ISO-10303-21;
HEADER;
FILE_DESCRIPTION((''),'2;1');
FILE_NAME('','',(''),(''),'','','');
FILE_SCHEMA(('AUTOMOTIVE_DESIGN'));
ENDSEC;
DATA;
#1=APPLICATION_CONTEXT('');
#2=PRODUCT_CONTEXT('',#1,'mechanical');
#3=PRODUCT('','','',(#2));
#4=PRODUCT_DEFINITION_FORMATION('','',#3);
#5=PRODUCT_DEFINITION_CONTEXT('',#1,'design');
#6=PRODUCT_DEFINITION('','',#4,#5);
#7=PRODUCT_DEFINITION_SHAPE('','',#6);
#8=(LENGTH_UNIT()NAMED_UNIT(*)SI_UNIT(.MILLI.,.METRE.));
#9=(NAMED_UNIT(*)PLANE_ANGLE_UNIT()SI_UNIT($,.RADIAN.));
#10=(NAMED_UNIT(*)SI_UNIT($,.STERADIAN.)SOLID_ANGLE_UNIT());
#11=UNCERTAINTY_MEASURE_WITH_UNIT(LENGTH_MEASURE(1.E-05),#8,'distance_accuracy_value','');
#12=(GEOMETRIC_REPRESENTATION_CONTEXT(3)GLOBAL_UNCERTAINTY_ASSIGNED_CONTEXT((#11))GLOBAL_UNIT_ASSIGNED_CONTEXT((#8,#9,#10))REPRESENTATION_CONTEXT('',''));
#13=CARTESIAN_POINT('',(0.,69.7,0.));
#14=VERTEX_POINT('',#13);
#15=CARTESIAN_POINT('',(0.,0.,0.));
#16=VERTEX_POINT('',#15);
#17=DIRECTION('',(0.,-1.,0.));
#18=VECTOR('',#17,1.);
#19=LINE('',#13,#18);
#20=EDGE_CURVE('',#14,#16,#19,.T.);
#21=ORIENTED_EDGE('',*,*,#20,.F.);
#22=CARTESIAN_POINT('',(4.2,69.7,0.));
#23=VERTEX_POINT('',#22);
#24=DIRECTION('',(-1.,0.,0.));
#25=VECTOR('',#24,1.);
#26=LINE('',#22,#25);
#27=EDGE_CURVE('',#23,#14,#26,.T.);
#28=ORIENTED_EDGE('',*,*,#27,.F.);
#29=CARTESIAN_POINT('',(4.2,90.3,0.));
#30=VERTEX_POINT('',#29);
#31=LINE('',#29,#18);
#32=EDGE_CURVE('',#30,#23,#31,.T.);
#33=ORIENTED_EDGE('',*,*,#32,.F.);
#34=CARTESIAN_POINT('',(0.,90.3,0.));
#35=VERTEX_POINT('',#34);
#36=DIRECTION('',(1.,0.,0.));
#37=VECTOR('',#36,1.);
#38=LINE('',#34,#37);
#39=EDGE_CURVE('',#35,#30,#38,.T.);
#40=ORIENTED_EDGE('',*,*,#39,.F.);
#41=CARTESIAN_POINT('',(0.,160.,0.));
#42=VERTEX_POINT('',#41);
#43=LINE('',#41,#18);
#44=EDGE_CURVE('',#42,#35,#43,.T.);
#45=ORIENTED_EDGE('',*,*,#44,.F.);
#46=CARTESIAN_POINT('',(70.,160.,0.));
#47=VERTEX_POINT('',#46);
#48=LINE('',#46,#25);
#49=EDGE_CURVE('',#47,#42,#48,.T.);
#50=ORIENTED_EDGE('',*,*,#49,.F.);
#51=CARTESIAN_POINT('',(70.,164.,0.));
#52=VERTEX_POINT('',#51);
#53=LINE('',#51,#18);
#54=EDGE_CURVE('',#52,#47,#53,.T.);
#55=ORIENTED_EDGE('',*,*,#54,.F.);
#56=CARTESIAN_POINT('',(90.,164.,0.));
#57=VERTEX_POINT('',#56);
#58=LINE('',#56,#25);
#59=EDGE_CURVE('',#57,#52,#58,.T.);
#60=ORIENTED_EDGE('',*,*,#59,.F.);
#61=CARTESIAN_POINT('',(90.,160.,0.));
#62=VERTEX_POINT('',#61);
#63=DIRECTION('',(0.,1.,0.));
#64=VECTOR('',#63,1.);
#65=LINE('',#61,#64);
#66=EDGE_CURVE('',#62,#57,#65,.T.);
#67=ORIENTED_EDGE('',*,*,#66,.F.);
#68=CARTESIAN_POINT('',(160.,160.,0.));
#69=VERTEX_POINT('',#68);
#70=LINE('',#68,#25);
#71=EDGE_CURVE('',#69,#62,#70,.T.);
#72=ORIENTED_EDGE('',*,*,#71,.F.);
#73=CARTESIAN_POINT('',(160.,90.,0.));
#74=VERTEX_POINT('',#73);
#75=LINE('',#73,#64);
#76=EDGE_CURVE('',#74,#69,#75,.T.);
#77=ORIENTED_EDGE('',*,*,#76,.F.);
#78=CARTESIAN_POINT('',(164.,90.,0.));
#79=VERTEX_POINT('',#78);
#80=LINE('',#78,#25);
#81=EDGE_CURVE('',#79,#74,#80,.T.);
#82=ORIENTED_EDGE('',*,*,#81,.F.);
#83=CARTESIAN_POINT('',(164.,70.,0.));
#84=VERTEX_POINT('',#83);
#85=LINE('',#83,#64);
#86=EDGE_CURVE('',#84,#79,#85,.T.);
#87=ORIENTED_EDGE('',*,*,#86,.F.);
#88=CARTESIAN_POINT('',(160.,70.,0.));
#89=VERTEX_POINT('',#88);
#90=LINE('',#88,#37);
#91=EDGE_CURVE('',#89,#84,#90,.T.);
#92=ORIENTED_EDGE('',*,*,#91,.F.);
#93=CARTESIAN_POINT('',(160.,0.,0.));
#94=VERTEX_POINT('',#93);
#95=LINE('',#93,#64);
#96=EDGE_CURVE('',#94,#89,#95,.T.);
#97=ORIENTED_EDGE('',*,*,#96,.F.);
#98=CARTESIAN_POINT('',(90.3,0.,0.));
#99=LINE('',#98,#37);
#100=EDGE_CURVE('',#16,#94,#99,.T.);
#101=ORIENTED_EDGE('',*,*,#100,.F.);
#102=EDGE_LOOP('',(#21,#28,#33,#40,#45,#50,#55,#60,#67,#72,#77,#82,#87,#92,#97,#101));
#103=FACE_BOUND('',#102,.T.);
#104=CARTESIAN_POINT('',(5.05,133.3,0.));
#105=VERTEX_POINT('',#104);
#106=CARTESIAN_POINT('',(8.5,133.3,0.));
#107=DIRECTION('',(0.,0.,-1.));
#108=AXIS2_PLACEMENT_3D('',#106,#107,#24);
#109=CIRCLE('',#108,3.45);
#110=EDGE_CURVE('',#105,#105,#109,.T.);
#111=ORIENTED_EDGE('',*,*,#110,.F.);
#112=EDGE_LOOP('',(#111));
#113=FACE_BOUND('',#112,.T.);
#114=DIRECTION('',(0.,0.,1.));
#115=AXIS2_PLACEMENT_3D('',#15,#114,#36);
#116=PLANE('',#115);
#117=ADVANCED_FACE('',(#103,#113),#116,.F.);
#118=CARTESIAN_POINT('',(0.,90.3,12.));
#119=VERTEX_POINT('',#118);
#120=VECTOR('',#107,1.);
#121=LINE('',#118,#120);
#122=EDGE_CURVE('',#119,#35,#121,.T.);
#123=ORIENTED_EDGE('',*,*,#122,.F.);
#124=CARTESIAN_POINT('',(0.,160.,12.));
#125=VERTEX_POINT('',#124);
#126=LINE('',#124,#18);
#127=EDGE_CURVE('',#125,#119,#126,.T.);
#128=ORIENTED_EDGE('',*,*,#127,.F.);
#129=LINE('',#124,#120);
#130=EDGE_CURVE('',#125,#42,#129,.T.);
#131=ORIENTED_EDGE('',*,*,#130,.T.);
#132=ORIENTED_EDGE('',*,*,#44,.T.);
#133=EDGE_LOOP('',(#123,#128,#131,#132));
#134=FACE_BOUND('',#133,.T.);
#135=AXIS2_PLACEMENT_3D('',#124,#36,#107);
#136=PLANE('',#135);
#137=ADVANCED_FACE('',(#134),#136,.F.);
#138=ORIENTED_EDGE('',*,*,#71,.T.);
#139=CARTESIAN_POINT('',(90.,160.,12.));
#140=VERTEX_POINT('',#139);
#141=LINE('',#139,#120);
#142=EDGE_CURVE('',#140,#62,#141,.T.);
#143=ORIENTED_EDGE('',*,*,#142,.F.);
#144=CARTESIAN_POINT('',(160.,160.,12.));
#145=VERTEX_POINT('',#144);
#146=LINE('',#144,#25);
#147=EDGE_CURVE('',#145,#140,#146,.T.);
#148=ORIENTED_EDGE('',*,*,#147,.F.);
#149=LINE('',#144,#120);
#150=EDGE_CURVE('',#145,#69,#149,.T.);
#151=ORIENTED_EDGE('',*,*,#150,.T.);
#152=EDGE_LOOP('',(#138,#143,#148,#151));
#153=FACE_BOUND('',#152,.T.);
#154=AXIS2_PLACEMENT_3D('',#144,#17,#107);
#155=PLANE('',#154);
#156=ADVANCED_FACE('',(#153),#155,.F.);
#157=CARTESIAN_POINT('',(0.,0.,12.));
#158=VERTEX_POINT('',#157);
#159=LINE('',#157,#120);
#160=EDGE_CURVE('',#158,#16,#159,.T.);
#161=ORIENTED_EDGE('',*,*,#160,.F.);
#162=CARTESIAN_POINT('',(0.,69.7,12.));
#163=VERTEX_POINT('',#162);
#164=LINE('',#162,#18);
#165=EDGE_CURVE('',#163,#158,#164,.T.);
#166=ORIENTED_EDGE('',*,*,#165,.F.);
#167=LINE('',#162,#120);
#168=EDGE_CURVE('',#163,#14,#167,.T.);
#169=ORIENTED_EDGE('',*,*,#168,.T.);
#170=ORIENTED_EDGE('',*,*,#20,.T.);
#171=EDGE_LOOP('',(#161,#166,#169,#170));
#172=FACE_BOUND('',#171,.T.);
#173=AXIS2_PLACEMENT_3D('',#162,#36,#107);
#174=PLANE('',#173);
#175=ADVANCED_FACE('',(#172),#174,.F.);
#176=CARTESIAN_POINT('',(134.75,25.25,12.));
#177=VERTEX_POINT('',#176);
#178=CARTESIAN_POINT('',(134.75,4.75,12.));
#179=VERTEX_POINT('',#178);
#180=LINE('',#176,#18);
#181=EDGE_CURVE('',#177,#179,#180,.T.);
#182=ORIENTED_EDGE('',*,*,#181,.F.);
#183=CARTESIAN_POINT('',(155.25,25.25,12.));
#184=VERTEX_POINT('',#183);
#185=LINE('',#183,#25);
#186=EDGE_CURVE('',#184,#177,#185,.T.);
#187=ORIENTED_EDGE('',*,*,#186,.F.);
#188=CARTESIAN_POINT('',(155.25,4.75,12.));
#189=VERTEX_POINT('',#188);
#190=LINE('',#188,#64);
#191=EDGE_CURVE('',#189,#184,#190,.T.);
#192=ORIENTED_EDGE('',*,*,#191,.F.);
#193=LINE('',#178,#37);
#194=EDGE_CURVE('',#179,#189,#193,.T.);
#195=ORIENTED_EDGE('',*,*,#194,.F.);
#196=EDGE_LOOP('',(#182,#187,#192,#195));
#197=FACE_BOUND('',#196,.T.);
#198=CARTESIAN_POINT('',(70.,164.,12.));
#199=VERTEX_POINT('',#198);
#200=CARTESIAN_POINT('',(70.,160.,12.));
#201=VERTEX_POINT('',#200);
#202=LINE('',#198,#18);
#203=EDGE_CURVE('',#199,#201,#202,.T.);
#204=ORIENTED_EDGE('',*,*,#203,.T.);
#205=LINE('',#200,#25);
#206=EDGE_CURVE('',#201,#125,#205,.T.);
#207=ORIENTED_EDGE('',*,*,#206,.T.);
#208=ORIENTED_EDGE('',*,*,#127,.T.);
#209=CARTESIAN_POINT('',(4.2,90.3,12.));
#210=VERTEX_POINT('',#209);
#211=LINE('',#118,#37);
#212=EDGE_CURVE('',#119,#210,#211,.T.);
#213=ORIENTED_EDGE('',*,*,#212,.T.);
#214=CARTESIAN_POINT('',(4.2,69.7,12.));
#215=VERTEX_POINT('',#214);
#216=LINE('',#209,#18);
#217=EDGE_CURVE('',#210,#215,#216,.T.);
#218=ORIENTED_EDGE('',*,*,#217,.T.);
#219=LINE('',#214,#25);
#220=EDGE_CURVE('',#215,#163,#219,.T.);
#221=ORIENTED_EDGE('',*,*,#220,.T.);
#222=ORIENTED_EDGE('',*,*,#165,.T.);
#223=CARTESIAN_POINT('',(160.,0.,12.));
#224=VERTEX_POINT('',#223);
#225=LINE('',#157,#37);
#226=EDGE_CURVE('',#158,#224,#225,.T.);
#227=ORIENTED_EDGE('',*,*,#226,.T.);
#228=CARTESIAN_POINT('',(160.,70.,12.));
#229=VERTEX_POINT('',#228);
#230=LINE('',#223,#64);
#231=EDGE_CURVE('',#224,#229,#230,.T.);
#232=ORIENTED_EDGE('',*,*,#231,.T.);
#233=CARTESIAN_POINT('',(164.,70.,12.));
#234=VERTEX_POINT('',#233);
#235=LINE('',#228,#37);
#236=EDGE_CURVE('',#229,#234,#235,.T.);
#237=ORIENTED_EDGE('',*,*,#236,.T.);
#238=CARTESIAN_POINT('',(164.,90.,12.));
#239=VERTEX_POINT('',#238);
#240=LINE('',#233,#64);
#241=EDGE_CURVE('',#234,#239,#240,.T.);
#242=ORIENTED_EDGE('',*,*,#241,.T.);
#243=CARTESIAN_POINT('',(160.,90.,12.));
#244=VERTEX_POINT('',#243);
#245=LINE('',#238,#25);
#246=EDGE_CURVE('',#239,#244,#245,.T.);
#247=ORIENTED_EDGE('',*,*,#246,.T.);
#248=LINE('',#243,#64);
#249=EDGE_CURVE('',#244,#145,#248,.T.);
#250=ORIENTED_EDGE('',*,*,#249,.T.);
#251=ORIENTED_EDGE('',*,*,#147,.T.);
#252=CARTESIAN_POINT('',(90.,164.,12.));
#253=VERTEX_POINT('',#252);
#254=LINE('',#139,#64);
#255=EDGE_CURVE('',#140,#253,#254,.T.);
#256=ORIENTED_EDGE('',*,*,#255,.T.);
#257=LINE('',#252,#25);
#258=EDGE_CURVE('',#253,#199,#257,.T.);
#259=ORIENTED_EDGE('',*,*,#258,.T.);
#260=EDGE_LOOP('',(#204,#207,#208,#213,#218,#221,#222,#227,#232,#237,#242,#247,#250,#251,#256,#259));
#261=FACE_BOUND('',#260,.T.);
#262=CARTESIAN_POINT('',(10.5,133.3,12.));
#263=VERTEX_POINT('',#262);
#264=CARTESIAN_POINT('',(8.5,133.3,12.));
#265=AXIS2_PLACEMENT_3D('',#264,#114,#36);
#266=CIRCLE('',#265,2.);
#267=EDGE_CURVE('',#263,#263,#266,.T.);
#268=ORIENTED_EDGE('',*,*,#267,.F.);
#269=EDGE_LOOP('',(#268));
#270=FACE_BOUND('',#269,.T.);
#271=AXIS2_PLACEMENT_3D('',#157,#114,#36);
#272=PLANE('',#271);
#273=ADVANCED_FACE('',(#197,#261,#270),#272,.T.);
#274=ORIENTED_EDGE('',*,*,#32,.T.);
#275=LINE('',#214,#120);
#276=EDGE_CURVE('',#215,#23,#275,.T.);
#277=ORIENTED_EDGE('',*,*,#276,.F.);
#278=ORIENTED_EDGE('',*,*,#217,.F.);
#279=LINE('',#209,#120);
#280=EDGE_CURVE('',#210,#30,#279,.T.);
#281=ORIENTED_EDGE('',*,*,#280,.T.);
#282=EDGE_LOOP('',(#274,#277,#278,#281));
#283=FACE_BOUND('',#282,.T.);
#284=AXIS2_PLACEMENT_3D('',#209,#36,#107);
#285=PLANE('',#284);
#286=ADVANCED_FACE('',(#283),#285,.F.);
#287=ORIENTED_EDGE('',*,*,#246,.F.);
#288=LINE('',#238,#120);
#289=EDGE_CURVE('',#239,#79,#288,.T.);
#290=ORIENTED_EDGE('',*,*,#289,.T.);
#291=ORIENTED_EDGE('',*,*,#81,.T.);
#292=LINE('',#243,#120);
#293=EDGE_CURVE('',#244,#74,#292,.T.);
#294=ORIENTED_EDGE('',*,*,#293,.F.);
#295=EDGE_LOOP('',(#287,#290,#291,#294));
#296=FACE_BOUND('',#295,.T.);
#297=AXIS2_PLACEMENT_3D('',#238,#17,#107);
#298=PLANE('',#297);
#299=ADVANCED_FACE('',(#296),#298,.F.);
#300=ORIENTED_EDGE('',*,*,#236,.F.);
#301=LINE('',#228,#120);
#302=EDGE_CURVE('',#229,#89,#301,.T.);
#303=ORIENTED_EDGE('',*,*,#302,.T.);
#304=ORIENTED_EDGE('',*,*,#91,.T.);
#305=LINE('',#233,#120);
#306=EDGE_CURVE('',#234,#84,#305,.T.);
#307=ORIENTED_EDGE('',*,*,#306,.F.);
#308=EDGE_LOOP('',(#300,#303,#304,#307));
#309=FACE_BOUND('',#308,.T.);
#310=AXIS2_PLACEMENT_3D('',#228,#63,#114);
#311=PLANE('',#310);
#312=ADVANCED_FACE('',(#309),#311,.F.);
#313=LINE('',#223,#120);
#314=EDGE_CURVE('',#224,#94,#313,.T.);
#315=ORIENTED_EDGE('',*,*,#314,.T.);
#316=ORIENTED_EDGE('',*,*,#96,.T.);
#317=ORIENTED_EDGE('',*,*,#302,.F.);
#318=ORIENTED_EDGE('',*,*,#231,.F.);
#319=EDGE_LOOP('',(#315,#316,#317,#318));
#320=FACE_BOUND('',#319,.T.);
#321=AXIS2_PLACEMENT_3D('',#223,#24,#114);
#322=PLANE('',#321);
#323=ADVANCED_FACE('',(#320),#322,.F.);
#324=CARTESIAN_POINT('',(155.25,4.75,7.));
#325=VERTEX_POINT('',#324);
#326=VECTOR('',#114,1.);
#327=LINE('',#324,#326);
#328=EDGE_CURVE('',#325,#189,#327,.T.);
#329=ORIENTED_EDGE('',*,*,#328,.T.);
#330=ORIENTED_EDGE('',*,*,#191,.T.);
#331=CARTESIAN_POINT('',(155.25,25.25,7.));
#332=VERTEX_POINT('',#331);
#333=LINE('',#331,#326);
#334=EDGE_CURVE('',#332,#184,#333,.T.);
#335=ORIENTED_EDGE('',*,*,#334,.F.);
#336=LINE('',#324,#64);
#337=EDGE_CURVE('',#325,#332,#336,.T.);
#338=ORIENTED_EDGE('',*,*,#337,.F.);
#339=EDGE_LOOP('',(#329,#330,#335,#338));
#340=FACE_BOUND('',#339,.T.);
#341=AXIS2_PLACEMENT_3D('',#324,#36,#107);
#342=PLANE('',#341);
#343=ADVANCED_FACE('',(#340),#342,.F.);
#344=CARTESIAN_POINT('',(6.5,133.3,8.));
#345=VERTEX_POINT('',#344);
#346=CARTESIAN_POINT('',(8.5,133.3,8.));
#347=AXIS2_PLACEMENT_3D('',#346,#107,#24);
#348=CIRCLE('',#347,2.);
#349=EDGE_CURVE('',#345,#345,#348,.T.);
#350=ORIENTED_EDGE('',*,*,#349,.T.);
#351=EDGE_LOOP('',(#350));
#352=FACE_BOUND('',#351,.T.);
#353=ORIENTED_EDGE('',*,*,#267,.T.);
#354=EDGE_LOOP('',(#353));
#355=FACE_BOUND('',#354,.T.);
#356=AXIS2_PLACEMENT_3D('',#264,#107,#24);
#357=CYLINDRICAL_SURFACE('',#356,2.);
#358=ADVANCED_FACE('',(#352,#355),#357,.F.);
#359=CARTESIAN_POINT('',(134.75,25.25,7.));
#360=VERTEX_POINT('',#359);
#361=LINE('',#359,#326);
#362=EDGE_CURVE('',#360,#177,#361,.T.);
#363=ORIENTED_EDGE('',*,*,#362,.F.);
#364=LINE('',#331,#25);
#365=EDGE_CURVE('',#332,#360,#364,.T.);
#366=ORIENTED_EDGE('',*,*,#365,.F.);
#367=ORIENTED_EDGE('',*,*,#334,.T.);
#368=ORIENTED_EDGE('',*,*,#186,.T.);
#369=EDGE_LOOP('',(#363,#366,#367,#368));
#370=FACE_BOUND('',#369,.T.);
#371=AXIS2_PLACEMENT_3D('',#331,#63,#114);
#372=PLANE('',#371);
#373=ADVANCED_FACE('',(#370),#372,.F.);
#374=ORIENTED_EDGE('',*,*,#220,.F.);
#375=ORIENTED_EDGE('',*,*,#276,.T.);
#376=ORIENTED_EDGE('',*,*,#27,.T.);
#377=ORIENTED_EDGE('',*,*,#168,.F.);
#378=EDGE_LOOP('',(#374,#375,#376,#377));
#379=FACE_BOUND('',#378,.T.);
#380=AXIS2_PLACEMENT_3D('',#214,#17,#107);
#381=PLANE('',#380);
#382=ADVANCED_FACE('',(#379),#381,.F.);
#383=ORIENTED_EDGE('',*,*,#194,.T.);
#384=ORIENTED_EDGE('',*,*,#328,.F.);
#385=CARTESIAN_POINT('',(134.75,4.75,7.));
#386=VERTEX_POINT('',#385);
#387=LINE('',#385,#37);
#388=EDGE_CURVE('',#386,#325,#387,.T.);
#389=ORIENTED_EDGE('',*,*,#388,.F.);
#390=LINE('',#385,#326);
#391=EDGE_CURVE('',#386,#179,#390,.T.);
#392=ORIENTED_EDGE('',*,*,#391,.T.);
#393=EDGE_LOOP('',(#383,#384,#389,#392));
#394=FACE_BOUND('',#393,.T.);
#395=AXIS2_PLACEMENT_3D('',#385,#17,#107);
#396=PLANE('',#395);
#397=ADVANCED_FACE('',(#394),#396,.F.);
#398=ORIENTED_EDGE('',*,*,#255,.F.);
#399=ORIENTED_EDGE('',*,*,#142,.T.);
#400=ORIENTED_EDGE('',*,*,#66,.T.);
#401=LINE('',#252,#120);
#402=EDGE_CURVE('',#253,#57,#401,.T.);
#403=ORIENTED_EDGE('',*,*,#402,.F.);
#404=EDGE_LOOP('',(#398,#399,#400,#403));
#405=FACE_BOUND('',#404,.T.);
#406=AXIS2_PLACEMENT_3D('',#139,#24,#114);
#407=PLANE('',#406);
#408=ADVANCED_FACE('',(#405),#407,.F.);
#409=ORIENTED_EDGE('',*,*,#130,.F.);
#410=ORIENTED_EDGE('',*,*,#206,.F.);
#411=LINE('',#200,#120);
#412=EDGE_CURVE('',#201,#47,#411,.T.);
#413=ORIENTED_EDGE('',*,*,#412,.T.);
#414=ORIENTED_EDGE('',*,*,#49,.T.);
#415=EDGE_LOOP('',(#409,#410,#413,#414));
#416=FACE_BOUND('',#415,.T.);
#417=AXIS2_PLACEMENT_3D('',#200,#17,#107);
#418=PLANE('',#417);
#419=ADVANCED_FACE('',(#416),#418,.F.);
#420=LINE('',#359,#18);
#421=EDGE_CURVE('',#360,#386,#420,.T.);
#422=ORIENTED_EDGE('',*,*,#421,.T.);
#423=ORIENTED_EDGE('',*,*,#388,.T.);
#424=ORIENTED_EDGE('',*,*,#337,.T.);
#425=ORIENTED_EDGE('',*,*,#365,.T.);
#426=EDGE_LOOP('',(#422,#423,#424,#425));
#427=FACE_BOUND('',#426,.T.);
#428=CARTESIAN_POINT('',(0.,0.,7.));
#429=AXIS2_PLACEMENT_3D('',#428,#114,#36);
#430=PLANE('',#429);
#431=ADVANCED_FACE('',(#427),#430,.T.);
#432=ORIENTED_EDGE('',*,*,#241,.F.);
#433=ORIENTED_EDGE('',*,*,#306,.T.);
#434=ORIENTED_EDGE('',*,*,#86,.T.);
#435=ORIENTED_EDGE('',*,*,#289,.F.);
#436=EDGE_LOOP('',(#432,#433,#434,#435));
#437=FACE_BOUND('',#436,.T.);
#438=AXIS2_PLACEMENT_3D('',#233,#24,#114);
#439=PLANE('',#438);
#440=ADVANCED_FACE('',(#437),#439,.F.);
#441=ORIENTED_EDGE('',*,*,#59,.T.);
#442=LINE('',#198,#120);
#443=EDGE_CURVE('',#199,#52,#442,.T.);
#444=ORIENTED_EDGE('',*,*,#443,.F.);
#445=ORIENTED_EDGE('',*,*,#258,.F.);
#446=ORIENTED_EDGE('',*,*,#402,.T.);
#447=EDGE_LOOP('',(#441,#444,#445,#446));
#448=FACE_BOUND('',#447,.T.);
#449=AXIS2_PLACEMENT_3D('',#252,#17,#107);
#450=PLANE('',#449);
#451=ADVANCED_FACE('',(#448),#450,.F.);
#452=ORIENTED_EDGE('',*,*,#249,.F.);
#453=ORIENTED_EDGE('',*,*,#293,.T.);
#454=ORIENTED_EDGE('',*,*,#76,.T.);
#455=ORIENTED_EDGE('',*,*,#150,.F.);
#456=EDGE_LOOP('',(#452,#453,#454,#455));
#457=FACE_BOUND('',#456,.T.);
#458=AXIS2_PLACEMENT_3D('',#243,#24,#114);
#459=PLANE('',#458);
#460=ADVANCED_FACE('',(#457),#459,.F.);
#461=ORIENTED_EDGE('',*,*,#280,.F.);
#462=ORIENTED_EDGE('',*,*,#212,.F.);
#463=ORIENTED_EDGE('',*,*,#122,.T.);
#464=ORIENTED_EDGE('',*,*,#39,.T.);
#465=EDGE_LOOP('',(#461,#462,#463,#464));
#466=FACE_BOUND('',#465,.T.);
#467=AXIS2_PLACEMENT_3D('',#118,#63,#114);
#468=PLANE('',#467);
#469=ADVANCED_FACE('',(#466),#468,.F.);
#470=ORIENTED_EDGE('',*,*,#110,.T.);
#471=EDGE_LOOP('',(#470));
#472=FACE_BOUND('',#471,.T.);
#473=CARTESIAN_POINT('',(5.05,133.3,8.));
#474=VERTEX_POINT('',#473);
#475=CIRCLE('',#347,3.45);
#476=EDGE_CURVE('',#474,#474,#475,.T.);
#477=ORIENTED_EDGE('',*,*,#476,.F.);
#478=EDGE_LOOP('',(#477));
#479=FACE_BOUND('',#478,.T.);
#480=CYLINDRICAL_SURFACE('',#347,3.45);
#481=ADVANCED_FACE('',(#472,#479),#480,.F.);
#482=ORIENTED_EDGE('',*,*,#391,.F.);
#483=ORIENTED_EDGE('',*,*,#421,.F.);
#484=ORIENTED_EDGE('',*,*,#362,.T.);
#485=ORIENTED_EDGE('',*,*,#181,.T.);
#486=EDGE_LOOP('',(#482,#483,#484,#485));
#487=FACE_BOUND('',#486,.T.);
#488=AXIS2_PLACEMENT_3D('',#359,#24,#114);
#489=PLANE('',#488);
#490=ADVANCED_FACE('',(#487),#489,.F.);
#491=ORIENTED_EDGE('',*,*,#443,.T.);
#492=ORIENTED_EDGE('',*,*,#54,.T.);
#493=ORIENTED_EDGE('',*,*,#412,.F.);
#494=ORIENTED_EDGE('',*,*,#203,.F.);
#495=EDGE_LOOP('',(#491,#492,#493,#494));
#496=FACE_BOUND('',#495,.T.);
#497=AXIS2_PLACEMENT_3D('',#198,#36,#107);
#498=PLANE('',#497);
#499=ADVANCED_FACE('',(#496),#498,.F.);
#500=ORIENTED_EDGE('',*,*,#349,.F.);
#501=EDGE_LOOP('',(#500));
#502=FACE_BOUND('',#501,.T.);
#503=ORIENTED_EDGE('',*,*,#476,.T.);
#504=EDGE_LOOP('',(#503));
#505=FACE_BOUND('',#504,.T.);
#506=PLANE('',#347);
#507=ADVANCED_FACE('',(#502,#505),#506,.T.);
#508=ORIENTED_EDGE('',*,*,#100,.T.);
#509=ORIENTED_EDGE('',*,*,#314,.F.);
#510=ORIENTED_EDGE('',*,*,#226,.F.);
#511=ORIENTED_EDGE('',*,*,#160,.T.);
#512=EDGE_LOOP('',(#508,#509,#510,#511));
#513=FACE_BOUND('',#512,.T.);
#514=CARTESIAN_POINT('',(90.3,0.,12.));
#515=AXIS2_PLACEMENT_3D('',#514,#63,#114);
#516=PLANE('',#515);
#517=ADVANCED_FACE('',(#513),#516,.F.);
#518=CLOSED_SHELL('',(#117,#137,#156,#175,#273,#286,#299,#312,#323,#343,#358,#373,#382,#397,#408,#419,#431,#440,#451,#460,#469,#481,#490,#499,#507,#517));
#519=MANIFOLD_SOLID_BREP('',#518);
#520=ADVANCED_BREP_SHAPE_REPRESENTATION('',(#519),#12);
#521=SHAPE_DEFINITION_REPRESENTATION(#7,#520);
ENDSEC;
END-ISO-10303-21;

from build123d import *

# Parameters (mm, degrees)
SKETCH1_R           = 2
BOSS_EXTRUDE1_DEPTH = 12
SKETCH2_W           = 20.5
SKETCH2_H           = 20.5
CUT_EXTRUDE1_DEPTH  = 5
SKETCH3_R           = 3.45
CUT_EXTRUDE2_DEPTH  = 8


with BuildPart() as part:
    # Sketch1 → Boss-Extrude1 (new body)
    with BuildSketch(Plane.XY):
        Polygon((0, 0), (69.7, 0), (90.3, 0), (160, 0), (160, 70), (164, 70), (164, 90), (160, 90), (160, 160), (90, 160), (90, 164), (70, 164), (70, 160), (0, 160), (0, 90.3), (4.2, 90.3), (4.2, 69.7), (0, 69.7), align=None)
        with Locations((8.5, 133.3)):
            Circle(SKETCH1_R, mode=Mode.SUBTRACT)
    extrude(amount=BOSS_EXTRUDE1_DEPTH)

    # Sketch2 → Cut-Extrude1 (cut)
    with BuildSketch(Plane.XY.offset(12)):
        with Locations((145, 15)):
            Rectangle(SKETCH2_W, SKETCH2_H)
    extrude(amount=-CUT_EXTRUDE1_DEPTH, mode=Mode.SUBTRACT)

    # Sketch3 → Cut-Extrude2 (cut)
    with BuildSketch(Plane(origin=(0, 0, 0), x_dir=(-1, 0, 0), z_dir=(0, 0, -1))):
        with Locations((-8.5, 133.3)):
            Circle(SKETCH3_R)
    extrude(amount=-CUT_EXTRUDE2_DEPTH, mode=Mode.SUBTRACT)


solid = part.part
